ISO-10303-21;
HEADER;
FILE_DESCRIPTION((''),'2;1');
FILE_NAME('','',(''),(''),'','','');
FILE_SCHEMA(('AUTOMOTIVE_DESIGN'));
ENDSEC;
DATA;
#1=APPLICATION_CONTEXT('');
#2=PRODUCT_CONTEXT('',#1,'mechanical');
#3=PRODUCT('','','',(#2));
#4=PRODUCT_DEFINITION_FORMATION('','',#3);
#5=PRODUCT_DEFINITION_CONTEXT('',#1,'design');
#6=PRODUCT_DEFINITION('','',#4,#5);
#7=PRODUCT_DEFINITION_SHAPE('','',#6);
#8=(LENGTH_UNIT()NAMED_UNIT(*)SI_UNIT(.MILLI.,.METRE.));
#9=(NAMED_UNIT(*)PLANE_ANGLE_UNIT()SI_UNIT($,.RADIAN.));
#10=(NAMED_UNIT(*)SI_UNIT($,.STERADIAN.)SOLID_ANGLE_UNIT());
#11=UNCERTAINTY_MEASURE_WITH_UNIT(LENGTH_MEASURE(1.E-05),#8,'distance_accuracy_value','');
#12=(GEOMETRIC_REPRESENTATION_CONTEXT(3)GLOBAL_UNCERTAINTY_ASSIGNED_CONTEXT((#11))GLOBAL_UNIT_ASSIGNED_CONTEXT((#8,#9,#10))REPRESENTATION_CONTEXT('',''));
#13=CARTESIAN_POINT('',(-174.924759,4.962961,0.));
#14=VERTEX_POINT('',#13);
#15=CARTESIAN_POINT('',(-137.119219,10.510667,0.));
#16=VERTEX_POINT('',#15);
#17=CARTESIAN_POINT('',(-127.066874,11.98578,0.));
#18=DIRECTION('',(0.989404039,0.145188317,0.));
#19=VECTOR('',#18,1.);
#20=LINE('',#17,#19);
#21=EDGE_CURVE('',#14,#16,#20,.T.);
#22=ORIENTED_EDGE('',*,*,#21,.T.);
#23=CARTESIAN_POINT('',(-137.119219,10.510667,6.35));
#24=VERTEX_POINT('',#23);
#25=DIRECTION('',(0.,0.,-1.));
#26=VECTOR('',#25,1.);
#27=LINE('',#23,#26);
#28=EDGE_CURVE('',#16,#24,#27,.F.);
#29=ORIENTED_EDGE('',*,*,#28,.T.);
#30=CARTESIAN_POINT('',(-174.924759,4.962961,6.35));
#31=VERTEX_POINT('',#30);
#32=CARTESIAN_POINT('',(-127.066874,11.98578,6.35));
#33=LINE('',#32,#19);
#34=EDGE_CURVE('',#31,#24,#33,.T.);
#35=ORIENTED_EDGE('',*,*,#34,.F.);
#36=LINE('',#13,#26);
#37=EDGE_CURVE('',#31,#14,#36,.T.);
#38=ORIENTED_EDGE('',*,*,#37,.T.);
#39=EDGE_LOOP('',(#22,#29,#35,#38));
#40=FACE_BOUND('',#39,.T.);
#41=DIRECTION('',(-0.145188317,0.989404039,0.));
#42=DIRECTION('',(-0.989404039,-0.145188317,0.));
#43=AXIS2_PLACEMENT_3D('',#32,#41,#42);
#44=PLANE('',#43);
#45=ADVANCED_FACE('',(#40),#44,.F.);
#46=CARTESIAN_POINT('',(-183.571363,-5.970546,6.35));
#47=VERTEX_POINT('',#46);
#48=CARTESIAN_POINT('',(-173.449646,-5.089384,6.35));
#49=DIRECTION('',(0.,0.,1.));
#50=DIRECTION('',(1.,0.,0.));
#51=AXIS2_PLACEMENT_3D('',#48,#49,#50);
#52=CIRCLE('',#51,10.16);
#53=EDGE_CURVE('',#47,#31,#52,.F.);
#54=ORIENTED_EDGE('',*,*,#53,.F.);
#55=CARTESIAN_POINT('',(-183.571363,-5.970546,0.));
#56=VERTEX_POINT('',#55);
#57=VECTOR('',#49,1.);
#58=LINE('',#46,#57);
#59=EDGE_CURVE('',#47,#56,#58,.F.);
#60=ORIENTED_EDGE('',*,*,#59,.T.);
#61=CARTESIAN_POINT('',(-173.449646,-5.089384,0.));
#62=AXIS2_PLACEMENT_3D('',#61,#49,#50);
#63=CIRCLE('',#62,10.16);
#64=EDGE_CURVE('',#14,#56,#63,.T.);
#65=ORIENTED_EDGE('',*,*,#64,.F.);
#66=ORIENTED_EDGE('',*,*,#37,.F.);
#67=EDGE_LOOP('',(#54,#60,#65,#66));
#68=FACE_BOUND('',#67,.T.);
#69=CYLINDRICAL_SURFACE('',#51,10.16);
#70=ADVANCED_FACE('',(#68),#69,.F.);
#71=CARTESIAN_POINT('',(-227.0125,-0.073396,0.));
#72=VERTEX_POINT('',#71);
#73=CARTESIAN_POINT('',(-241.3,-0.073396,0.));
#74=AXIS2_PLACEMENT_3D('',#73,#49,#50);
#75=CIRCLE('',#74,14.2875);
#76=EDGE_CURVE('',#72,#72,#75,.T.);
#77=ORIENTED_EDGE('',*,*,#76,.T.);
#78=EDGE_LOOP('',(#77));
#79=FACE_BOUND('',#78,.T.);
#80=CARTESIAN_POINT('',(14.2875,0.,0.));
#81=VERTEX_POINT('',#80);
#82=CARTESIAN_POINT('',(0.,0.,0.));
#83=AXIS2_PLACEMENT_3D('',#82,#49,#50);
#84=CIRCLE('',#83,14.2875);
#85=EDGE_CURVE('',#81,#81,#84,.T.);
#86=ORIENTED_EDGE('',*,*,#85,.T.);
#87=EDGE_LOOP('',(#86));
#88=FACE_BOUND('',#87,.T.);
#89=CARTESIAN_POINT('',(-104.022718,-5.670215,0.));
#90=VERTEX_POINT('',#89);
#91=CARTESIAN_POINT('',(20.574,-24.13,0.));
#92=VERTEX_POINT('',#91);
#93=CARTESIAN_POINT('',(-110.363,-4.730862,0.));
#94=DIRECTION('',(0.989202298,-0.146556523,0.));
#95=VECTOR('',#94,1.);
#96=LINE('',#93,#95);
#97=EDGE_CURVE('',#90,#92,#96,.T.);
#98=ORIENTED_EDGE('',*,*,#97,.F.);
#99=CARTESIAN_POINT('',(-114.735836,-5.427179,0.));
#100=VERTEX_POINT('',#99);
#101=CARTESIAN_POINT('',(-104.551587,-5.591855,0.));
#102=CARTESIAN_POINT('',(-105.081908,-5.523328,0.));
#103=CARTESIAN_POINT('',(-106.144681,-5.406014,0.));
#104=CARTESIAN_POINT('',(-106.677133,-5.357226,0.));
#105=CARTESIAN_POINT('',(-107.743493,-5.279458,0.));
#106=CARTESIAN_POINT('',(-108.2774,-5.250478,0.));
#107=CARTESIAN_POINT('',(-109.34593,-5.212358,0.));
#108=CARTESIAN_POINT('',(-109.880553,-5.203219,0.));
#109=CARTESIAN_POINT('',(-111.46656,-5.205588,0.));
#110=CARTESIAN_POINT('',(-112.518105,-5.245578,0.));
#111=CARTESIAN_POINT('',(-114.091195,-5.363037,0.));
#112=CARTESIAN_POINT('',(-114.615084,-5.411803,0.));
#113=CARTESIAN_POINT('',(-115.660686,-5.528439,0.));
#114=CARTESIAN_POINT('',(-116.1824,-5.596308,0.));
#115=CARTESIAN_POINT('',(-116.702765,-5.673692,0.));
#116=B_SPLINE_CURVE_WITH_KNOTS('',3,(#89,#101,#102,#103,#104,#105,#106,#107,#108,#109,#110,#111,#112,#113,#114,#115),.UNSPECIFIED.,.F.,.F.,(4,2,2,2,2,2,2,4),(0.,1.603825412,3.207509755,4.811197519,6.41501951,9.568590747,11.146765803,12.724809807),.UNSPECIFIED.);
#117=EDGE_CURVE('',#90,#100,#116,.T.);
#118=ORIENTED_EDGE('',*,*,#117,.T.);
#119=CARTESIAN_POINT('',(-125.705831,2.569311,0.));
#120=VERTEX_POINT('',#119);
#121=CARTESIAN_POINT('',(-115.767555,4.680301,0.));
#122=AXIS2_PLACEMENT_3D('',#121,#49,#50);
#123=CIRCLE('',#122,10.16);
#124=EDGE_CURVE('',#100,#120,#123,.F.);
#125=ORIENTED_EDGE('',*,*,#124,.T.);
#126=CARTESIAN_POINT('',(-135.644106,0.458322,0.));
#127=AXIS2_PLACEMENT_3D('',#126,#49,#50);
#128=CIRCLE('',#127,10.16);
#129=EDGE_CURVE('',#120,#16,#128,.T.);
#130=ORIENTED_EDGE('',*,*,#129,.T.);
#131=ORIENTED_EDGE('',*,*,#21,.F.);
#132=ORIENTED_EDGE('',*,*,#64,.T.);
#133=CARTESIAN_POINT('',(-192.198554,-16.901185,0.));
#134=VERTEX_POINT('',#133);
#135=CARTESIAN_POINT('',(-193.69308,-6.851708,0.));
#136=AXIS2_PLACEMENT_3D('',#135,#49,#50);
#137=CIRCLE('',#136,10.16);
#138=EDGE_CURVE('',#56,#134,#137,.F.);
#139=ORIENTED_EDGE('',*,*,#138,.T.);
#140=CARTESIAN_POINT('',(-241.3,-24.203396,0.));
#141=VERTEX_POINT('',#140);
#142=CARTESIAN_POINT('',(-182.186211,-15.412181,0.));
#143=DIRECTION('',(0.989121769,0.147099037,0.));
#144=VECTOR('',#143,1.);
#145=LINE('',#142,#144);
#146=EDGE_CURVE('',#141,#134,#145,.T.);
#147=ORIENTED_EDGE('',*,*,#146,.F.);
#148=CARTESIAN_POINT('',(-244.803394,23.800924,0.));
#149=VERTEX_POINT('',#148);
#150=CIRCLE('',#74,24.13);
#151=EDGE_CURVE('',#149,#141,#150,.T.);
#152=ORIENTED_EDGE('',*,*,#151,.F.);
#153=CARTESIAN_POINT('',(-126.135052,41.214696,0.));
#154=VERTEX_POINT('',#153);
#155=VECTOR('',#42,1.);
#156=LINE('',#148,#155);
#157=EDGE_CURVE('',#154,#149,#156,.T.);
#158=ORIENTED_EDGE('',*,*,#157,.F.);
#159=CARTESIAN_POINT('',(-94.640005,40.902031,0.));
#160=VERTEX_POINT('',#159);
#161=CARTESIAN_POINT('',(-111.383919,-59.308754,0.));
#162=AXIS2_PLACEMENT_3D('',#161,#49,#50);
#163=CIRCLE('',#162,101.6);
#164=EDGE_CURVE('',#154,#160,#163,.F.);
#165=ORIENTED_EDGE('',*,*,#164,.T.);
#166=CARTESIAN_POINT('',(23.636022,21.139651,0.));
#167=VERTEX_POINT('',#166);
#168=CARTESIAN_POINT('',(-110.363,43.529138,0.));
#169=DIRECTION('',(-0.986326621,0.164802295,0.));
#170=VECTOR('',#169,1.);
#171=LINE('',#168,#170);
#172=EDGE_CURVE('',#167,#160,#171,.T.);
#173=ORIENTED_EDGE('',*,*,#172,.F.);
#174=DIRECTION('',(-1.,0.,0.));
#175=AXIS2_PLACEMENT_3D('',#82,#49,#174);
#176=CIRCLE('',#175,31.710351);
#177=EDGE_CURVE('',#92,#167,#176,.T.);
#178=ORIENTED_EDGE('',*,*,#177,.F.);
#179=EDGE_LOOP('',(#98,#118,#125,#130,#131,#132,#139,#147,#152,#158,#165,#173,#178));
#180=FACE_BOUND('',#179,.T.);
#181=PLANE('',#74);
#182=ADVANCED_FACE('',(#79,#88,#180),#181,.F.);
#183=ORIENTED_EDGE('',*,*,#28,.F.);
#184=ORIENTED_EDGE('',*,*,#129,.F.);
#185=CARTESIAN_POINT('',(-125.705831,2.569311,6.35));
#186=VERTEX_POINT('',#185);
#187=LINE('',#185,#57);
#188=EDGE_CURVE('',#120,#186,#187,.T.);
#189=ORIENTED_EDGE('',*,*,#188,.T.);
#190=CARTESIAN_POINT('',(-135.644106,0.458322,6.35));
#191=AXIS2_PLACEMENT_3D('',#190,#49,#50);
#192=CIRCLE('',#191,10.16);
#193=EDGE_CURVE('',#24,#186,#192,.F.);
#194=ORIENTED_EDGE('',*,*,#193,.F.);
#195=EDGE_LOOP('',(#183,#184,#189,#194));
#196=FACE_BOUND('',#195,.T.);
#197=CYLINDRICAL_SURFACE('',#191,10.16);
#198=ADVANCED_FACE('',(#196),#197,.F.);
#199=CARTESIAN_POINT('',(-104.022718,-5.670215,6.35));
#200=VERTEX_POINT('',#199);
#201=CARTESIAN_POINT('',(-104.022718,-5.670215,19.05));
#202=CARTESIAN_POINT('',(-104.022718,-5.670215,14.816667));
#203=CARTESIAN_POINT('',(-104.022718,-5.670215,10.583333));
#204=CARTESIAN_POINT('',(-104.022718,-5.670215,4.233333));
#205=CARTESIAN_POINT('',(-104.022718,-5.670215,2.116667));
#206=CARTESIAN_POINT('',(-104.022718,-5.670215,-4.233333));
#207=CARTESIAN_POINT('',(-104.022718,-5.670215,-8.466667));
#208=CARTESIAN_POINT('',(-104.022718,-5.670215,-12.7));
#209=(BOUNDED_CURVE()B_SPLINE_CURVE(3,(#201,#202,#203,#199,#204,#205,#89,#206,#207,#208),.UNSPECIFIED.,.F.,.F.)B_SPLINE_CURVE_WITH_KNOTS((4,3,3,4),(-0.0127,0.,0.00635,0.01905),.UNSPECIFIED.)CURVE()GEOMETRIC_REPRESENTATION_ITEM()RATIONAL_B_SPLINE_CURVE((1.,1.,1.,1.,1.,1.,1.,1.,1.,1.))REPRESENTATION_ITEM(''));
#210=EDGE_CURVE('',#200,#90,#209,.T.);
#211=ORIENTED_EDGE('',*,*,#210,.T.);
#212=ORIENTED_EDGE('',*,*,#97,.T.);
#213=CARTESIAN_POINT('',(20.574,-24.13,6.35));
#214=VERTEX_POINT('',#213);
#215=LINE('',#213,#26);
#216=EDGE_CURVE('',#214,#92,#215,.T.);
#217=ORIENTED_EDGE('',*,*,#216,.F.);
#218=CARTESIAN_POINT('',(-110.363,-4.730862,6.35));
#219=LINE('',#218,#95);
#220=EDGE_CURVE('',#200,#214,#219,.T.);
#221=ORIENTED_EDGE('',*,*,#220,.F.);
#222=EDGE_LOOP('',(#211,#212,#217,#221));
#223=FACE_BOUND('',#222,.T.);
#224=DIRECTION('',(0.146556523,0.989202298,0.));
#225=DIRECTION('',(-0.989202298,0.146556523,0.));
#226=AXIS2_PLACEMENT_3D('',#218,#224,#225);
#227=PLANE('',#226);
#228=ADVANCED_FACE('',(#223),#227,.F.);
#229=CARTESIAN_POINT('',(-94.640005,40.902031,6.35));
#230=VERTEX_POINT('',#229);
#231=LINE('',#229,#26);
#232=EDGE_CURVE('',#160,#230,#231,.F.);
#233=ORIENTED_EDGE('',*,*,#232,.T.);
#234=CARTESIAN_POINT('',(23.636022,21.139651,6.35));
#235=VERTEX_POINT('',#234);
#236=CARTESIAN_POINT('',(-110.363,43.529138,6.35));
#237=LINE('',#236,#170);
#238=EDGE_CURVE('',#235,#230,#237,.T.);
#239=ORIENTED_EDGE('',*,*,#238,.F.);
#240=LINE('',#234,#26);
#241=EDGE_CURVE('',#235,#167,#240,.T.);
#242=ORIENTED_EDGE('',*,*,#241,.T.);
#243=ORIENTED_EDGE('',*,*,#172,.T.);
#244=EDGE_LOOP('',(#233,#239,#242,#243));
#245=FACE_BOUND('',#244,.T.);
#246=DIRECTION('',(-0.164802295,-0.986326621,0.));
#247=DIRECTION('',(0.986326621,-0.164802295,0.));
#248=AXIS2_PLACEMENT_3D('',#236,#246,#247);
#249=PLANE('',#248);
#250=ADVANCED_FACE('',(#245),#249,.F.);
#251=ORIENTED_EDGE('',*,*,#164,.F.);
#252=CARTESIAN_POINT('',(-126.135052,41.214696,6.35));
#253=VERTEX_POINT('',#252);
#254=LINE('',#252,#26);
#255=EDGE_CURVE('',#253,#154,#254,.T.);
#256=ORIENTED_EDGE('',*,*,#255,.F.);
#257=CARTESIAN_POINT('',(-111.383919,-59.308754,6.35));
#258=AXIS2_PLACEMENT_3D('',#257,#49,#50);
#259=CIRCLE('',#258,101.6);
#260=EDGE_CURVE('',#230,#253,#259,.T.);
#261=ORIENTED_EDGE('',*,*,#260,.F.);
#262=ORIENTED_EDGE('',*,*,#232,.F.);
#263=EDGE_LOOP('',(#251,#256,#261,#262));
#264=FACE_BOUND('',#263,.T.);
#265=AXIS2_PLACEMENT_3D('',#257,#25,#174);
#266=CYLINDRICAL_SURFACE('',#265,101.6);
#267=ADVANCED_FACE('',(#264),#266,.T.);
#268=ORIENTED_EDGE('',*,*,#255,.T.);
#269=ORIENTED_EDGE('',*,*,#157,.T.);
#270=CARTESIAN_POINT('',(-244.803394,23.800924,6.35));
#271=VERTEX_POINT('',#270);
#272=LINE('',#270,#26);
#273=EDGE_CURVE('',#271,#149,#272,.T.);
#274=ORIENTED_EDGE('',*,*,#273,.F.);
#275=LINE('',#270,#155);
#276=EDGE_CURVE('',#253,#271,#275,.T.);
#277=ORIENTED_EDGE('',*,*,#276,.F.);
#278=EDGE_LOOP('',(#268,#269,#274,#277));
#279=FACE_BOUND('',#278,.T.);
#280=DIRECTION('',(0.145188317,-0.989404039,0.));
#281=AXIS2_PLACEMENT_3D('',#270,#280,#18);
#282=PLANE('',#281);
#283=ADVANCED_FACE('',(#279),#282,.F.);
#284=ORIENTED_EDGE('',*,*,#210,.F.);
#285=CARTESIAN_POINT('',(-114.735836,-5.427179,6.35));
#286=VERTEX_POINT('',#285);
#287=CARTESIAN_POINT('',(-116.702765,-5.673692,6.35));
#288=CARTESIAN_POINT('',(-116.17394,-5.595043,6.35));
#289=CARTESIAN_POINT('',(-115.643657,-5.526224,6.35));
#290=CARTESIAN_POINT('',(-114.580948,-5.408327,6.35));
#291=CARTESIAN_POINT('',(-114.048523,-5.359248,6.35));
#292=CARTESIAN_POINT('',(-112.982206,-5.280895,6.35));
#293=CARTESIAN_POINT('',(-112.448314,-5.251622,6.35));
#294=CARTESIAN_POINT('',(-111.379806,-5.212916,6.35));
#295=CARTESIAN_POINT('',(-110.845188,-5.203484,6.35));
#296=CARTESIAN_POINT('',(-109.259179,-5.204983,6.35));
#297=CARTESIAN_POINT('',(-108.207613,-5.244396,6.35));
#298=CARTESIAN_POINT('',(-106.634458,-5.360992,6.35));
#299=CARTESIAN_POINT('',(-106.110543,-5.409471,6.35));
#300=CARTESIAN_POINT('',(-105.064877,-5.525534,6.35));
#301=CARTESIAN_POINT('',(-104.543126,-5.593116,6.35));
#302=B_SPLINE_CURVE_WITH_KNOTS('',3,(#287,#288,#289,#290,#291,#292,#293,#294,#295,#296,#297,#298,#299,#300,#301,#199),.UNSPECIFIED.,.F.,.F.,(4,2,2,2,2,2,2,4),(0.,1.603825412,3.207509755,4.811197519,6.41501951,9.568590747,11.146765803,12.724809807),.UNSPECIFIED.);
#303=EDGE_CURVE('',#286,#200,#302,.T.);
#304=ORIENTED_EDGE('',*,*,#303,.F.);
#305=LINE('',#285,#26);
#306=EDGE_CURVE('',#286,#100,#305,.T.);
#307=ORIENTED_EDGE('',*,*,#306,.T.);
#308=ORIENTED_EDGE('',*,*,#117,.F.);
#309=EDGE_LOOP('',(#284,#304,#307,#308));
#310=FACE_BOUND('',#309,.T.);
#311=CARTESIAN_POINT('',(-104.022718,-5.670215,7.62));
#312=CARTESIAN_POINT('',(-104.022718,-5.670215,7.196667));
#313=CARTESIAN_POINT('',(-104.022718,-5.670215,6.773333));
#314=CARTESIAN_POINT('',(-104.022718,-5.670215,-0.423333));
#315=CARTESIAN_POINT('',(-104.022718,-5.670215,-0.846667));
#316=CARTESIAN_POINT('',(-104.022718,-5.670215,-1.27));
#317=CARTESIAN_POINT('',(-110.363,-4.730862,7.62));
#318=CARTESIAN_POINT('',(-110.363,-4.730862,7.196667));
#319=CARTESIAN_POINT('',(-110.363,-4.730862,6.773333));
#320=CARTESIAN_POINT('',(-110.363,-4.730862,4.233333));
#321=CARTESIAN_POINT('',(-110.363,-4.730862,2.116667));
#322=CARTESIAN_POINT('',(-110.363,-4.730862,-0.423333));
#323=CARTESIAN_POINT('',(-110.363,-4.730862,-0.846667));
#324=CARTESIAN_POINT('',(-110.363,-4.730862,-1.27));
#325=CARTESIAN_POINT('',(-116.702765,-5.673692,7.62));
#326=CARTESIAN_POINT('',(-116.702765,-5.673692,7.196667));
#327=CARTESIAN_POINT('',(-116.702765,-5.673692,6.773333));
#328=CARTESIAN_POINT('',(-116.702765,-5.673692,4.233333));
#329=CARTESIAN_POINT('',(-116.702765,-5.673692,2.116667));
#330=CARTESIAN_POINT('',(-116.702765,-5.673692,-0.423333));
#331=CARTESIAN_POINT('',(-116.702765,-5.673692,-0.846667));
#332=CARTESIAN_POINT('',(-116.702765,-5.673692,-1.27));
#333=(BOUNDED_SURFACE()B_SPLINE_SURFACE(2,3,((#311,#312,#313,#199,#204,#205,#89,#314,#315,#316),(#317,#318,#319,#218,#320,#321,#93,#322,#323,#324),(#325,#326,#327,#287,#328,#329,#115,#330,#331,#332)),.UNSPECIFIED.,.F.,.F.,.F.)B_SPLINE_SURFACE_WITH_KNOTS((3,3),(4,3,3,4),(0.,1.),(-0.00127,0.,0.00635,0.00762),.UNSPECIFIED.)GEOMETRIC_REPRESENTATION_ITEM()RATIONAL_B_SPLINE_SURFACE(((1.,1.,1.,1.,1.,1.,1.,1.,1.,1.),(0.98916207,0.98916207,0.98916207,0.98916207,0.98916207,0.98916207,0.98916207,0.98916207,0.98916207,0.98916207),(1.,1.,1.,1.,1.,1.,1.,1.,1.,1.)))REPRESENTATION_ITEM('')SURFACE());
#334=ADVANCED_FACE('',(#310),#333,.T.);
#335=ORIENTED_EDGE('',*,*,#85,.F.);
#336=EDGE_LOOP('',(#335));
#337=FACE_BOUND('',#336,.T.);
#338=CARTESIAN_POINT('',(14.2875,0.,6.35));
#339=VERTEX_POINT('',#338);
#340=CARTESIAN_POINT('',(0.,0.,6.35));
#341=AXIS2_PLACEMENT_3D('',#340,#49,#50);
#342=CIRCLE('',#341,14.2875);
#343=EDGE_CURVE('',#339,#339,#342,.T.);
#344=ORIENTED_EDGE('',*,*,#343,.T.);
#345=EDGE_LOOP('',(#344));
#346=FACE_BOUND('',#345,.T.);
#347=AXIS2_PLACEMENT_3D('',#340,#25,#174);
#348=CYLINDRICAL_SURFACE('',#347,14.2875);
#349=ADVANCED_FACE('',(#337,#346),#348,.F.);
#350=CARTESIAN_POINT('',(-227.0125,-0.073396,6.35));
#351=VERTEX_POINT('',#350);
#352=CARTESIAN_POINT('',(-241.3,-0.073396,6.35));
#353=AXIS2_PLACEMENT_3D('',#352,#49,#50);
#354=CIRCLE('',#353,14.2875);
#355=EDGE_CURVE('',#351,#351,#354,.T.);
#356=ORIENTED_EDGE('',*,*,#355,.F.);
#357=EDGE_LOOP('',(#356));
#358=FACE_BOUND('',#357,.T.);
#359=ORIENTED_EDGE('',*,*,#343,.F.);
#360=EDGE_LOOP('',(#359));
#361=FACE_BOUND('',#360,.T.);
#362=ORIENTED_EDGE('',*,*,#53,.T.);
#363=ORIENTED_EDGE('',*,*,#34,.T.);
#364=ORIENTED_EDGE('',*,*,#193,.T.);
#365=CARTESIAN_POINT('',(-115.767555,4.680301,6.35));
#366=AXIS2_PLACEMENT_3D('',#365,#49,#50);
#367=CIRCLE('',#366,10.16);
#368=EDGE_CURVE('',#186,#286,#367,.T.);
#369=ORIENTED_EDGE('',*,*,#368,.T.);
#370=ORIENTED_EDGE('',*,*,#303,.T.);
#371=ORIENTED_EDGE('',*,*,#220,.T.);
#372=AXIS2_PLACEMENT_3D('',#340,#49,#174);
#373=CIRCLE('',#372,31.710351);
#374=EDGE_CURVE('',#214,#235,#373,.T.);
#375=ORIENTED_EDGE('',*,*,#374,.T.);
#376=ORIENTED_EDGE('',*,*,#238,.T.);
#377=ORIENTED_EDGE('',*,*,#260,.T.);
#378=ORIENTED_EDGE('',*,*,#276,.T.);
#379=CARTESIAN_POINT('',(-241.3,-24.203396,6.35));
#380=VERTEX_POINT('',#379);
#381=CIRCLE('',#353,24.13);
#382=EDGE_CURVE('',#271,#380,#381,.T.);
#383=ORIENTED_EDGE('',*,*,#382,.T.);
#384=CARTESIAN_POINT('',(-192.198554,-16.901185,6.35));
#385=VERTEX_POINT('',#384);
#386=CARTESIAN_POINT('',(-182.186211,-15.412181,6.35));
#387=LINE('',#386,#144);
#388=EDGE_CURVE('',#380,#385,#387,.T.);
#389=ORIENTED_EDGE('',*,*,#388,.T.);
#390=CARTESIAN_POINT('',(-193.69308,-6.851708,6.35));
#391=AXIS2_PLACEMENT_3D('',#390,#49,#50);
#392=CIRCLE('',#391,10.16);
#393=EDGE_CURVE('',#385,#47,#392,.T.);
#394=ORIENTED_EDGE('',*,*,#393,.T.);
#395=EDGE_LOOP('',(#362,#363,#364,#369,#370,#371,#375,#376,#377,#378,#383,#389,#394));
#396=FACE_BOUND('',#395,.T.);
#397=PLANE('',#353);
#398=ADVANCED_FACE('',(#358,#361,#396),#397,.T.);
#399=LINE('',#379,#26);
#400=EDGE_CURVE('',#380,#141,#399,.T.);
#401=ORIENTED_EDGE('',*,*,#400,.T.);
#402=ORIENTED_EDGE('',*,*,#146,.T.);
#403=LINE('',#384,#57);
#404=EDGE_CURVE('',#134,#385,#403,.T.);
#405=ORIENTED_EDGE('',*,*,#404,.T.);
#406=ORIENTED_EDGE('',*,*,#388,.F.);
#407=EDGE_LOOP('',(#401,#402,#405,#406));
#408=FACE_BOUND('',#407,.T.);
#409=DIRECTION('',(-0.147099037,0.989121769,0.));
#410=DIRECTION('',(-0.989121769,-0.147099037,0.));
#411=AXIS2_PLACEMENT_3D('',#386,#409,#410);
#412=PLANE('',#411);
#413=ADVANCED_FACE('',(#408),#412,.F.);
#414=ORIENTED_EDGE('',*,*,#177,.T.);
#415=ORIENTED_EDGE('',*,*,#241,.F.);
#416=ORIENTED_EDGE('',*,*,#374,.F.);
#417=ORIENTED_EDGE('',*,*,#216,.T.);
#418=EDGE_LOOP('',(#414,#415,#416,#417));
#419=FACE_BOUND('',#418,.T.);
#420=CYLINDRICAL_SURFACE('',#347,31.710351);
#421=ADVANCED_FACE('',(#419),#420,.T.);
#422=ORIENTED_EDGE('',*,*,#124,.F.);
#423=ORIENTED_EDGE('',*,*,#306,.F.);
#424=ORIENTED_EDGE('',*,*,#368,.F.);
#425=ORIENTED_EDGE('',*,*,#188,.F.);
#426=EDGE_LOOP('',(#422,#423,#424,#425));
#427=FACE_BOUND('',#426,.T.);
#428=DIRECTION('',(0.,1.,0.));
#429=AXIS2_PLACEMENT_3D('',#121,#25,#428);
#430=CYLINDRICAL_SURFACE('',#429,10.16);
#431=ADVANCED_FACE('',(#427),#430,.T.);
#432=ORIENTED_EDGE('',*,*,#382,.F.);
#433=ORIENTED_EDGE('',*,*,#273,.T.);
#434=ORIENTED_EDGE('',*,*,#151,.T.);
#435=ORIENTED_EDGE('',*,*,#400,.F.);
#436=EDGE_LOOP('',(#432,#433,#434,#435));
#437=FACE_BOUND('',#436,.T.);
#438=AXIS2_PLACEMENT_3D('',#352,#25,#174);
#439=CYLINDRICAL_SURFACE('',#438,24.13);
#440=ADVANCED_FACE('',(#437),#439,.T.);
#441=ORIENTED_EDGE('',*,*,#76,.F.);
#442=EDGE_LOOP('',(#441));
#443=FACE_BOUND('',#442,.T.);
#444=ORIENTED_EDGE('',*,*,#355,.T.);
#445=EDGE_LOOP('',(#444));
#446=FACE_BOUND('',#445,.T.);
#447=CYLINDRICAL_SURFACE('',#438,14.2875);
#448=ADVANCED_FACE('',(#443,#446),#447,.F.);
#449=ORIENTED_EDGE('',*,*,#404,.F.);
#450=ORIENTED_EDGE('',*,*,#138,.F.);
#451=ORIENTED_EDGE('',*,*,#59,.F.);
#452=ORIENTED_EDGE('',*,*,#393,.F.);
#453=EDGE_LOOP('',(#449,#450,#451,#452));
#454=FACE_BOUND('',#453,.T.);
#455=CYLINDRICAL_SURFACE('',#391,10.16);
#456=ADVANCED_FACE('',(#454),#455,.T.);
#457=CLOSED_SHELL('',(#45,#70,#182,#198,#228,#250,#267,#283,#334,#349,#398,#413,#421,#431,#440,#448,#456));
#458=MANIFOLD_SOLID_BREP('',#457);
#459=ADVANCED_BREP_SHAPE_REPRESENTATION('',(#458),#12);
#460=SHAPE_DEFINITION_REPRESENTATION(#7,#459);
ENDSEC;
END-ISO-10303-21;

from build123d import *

# Parameters (mm, degrees)
SKETCH1_R           = 14.2875
BOSS_EXTRUDE1_DEPTH = 6.35
FILLET2_R           = 101.6
FILLET4_R           = 10.16
FILLET5_R           = 10.16
FILLET6_R           = 10.16
FILLET7_R           = 43.18
FILLET8_R           = 10.16


with BuildPart() as part:
    # Sketch1 → Boss-Extrude1 (new body)
    with BuildSketch(Plane.XY):
        with BuildLine():
            Line((-244.803394078, 23.800923648), (-110.363, 43.529137522))
            Line((-110.363, 43.529137522), (23.636021604, 21.139651339))
            ThreePointArc((23.636021604, 21.139651339), (31.638059922, -2.139986064), (20.574, -24.13))
            Line((20.574, -24.13), (-110.363, -4.730862478))
            Line((-110.363, -4.730862478), (-124.309464555, -6.804936239))
            Line((-124.309464555, -6.804936239), (-127.066874452, 11.985780223))
            Line((-127.066874452, 11.985780223), (-184.996538861, 3.484995791))
            Line((-184.996538861, 3.484995791), (-182.186210881, -15.412181497))
            Line((-182.186210881, -15.412181497), (-241.3, -24.203395818))
            ThreePointArc((-241.3, -24.203395818), (-265.365994979, -1.829751605), (-244.803394078, 23.800923648))
        make_face()
        with Locations((-241.3, -0.073395818)):
            Circle(SKETCH1_R, mode=Mode.SUBTRACT)
        Circle(SKETCH1_R, mode=Mode.SUBTRACT)
    extrude(amount=BOSS_EXTRUDE1_DEPTH)

    # Fillet2
    fillet2_edges = [part.edges().sort_by_distance(p)[0] for p in [
        (-110.363, 43.529137522, 3.175),
    ]]
    fillet(fillet2_edges, radius=FILLET2_R)

    # Fillet4
    fillet4_edges = [part.edges().sort_by_distance(p)[0] for p in [
        (-127.066874452, 11.985780223, 3.175),
    ]]
    fillet(fillet4_edges, radius=FILLET4_R)

    # Fillet5
    fillet5_edges = [part.edges().sort_by_distance(p)[0] for p in [
        (-184.996538861, 3.484995791, 3.175),
    ]]
    fillet(fillet5_edges, radius=FILLET5_R)

    # Fillet6
    fillet6_edges = [part.edges().sort_by_distance(p)[0] for p in [
        (-182.186210881, -15.412181497, 3.175),
    ]]
    fillet(fillet6_edges, radius=FILLET6_R)

    # Fillet7
    fillet7_edges = [part.edges().sort_by_distance(p)[0] for p in [
        (-110.363, -4.730862478, 3.175),
    ]]
    fillet(fillet7_edges, radius=FILLET7_R)

    # Fillet8
    fillet8_edges = [part.edges().sort_by_distance(p)[0] for p in [
        (-124.309464555, -6.804936239, 3.175),
    ]]
    fillet(fillet8_edges, radius=FILLET8_R)


solid = part.part
